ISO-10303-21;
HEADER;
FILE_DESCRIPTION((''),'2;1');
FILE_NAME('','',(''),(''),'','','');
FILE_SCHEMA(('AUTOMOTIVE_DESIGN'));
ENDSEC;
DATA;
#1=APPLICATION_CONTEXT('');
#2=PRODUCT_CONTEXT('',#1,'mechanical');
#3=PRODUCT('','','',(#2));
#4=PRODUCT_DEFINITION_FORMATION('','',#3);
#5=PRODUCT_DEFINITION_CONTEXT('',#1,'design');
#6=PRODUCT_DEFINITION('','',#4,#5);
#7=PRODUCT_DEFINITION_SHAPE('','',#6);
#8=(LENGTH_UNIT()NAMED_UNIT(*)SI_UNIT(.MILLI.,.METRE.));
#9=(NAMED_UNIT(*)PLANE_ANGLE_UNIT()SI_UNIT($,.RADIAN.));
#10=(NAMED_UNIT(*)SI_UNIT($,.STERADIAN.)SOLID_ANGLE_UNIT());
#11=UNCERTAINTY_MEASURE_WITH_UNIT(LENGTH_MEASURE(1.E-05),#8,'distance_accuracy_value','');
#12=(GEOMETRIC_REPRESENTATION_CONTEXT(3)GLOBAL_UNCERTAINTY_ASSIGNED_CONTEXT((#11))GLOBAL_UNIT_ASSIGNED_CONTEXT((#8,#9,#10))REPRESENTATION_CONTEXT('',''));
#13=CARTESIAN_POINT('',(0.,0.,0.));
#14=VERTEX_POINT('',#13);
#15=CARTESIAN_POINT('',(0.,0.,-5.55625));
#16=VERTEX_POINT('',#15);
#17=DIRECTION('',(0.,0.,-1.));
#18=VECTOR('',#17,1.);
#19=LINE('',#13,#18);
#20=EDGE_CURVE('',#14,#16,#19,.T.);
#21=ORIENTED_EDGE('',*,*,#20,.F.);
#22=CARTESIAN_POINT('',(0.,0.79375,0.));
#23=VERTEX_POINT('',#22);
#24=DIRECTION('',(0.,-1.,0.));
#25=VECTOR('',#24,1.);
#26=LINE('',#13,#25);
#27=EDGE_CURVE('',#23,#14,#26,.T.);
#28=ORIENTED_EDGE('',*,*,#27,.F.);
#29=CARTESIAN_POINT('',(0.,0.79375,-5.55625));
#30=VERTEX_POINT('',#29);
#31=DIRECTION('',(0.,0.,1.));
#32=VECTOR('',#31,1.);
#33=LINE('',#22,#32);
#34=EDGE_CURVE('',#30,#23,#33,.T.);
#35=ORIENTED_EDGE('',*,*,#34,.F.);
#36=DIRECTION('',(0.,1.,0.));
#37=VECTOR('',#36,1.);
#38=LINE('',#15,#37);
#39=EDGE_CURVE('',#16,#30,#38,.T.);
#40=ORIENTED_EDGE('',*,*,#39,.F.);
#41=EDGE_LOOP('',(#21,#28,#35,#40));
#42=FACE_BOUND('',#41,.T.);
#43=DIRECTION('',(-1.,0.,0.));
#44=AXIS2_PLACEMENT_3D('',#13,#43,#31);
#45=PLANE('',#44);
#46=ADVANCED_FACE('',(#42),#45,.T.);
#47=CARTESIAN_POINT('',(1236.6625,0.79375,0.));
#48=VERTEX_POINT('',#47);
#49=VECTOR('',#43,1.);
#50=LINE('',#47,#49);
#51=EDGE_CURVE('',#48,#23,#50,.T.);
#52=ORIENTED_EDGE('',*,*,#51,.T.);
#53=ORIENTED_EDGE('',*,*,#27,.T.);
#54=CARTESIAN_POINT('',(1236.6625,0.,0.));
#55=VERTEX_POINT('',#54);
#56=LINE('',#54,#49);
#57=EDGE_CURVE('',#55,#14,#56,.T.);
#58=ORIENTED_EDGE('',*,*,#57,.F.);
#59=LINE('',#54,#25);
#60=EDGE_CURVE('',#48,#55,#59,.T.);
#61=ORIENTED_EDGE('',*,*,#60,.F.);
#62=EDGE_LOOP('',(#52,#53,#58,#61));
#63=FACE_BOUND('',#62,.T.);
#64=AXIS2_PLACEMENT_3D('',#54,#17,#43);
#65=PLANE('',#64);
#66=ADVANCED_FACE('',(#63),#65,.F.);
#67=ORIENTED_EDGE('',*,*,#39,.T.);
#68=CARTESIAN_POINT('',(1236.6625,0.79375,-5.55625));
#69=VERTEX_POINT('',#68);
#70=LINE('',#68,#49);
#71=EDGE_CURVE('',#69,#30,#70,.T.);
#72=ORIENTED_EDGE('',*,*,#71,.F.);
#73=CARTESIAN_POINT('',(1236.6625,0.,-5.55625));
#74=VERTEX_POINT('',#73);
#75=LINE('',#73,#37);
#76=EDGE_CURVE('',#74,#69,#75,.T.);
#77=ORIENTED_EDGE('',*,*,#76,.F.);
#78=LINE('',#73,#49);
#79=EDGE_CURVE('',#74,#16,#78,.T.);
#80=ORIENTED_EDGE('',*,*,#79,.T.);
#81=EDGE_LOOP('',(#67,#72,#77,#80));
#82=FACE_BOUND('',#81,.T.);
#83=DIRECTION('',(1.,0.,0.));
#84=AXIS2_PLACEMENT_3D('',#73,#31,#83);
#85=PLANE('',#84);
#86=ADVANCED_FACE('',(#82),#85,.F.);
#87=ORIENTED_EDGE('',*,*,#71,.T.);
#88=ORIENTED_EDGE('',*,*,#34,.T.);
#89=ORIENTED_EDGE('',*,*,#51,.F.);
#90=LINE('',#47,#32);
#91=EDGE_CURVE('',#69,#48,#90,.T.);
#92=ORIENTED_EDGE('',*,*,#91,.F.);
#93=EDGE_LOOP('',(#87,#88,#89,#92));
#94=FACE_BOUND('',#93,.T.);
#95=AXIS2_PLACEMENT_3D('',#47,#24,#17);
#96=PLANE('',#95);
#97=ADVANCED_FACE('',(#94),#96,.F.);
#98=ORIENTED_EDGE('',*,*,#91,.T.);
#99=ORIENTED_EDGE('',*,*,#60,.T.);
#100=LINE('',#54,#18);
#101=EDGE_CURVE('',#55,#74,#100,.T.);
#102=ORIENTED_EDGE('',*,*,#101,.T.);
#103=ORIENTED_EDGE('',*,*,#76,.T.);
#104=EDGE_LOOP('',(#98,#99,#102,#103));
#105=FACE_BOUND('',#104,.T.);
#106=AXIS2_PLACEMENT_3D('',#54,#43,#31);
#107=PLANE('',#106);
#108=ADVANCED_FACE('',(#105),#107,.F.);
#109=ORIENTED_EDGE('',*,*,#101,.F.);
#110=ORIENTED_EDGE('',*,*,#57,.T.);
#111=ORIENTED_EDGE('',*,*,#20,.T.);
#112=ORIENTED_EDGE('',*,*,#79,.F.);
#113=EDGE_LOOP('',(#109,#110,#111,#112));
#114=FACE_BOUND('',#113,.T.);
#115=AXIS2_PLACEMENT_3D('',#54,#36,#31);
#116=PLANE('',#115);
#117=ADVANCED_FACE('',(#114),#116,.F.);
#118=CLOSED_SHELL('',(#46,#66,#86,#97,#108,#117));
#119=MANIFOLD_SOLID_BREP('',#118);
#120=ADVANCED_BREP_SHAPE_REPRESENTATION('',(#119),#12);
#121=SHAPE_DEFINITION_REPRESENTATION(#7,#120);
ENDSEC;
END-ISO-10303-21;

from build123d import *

# Parameters (mm, degrees)
SKETCH1_W           = 5.55625
SKETCH1_H           = 0.79375
BOSS_EXTRUDE1_DEPTH = 1236.6625


with BuildPart() as part:
    # Sketch1 → Boss-Extrude1 (new body)
    with BuildSketch(Plane(origin=(0, 0, 0), x_dir=(0, 0, -1), z_dir=(1, 0, 0))):
        with Locations((2.778125, 0.396875)):
            Rectangle(SKETCH1_W, SKETCH1_H)
    extrude(amount=BOSS_EXTRUDE1_DEPTH)


solid = part.part
